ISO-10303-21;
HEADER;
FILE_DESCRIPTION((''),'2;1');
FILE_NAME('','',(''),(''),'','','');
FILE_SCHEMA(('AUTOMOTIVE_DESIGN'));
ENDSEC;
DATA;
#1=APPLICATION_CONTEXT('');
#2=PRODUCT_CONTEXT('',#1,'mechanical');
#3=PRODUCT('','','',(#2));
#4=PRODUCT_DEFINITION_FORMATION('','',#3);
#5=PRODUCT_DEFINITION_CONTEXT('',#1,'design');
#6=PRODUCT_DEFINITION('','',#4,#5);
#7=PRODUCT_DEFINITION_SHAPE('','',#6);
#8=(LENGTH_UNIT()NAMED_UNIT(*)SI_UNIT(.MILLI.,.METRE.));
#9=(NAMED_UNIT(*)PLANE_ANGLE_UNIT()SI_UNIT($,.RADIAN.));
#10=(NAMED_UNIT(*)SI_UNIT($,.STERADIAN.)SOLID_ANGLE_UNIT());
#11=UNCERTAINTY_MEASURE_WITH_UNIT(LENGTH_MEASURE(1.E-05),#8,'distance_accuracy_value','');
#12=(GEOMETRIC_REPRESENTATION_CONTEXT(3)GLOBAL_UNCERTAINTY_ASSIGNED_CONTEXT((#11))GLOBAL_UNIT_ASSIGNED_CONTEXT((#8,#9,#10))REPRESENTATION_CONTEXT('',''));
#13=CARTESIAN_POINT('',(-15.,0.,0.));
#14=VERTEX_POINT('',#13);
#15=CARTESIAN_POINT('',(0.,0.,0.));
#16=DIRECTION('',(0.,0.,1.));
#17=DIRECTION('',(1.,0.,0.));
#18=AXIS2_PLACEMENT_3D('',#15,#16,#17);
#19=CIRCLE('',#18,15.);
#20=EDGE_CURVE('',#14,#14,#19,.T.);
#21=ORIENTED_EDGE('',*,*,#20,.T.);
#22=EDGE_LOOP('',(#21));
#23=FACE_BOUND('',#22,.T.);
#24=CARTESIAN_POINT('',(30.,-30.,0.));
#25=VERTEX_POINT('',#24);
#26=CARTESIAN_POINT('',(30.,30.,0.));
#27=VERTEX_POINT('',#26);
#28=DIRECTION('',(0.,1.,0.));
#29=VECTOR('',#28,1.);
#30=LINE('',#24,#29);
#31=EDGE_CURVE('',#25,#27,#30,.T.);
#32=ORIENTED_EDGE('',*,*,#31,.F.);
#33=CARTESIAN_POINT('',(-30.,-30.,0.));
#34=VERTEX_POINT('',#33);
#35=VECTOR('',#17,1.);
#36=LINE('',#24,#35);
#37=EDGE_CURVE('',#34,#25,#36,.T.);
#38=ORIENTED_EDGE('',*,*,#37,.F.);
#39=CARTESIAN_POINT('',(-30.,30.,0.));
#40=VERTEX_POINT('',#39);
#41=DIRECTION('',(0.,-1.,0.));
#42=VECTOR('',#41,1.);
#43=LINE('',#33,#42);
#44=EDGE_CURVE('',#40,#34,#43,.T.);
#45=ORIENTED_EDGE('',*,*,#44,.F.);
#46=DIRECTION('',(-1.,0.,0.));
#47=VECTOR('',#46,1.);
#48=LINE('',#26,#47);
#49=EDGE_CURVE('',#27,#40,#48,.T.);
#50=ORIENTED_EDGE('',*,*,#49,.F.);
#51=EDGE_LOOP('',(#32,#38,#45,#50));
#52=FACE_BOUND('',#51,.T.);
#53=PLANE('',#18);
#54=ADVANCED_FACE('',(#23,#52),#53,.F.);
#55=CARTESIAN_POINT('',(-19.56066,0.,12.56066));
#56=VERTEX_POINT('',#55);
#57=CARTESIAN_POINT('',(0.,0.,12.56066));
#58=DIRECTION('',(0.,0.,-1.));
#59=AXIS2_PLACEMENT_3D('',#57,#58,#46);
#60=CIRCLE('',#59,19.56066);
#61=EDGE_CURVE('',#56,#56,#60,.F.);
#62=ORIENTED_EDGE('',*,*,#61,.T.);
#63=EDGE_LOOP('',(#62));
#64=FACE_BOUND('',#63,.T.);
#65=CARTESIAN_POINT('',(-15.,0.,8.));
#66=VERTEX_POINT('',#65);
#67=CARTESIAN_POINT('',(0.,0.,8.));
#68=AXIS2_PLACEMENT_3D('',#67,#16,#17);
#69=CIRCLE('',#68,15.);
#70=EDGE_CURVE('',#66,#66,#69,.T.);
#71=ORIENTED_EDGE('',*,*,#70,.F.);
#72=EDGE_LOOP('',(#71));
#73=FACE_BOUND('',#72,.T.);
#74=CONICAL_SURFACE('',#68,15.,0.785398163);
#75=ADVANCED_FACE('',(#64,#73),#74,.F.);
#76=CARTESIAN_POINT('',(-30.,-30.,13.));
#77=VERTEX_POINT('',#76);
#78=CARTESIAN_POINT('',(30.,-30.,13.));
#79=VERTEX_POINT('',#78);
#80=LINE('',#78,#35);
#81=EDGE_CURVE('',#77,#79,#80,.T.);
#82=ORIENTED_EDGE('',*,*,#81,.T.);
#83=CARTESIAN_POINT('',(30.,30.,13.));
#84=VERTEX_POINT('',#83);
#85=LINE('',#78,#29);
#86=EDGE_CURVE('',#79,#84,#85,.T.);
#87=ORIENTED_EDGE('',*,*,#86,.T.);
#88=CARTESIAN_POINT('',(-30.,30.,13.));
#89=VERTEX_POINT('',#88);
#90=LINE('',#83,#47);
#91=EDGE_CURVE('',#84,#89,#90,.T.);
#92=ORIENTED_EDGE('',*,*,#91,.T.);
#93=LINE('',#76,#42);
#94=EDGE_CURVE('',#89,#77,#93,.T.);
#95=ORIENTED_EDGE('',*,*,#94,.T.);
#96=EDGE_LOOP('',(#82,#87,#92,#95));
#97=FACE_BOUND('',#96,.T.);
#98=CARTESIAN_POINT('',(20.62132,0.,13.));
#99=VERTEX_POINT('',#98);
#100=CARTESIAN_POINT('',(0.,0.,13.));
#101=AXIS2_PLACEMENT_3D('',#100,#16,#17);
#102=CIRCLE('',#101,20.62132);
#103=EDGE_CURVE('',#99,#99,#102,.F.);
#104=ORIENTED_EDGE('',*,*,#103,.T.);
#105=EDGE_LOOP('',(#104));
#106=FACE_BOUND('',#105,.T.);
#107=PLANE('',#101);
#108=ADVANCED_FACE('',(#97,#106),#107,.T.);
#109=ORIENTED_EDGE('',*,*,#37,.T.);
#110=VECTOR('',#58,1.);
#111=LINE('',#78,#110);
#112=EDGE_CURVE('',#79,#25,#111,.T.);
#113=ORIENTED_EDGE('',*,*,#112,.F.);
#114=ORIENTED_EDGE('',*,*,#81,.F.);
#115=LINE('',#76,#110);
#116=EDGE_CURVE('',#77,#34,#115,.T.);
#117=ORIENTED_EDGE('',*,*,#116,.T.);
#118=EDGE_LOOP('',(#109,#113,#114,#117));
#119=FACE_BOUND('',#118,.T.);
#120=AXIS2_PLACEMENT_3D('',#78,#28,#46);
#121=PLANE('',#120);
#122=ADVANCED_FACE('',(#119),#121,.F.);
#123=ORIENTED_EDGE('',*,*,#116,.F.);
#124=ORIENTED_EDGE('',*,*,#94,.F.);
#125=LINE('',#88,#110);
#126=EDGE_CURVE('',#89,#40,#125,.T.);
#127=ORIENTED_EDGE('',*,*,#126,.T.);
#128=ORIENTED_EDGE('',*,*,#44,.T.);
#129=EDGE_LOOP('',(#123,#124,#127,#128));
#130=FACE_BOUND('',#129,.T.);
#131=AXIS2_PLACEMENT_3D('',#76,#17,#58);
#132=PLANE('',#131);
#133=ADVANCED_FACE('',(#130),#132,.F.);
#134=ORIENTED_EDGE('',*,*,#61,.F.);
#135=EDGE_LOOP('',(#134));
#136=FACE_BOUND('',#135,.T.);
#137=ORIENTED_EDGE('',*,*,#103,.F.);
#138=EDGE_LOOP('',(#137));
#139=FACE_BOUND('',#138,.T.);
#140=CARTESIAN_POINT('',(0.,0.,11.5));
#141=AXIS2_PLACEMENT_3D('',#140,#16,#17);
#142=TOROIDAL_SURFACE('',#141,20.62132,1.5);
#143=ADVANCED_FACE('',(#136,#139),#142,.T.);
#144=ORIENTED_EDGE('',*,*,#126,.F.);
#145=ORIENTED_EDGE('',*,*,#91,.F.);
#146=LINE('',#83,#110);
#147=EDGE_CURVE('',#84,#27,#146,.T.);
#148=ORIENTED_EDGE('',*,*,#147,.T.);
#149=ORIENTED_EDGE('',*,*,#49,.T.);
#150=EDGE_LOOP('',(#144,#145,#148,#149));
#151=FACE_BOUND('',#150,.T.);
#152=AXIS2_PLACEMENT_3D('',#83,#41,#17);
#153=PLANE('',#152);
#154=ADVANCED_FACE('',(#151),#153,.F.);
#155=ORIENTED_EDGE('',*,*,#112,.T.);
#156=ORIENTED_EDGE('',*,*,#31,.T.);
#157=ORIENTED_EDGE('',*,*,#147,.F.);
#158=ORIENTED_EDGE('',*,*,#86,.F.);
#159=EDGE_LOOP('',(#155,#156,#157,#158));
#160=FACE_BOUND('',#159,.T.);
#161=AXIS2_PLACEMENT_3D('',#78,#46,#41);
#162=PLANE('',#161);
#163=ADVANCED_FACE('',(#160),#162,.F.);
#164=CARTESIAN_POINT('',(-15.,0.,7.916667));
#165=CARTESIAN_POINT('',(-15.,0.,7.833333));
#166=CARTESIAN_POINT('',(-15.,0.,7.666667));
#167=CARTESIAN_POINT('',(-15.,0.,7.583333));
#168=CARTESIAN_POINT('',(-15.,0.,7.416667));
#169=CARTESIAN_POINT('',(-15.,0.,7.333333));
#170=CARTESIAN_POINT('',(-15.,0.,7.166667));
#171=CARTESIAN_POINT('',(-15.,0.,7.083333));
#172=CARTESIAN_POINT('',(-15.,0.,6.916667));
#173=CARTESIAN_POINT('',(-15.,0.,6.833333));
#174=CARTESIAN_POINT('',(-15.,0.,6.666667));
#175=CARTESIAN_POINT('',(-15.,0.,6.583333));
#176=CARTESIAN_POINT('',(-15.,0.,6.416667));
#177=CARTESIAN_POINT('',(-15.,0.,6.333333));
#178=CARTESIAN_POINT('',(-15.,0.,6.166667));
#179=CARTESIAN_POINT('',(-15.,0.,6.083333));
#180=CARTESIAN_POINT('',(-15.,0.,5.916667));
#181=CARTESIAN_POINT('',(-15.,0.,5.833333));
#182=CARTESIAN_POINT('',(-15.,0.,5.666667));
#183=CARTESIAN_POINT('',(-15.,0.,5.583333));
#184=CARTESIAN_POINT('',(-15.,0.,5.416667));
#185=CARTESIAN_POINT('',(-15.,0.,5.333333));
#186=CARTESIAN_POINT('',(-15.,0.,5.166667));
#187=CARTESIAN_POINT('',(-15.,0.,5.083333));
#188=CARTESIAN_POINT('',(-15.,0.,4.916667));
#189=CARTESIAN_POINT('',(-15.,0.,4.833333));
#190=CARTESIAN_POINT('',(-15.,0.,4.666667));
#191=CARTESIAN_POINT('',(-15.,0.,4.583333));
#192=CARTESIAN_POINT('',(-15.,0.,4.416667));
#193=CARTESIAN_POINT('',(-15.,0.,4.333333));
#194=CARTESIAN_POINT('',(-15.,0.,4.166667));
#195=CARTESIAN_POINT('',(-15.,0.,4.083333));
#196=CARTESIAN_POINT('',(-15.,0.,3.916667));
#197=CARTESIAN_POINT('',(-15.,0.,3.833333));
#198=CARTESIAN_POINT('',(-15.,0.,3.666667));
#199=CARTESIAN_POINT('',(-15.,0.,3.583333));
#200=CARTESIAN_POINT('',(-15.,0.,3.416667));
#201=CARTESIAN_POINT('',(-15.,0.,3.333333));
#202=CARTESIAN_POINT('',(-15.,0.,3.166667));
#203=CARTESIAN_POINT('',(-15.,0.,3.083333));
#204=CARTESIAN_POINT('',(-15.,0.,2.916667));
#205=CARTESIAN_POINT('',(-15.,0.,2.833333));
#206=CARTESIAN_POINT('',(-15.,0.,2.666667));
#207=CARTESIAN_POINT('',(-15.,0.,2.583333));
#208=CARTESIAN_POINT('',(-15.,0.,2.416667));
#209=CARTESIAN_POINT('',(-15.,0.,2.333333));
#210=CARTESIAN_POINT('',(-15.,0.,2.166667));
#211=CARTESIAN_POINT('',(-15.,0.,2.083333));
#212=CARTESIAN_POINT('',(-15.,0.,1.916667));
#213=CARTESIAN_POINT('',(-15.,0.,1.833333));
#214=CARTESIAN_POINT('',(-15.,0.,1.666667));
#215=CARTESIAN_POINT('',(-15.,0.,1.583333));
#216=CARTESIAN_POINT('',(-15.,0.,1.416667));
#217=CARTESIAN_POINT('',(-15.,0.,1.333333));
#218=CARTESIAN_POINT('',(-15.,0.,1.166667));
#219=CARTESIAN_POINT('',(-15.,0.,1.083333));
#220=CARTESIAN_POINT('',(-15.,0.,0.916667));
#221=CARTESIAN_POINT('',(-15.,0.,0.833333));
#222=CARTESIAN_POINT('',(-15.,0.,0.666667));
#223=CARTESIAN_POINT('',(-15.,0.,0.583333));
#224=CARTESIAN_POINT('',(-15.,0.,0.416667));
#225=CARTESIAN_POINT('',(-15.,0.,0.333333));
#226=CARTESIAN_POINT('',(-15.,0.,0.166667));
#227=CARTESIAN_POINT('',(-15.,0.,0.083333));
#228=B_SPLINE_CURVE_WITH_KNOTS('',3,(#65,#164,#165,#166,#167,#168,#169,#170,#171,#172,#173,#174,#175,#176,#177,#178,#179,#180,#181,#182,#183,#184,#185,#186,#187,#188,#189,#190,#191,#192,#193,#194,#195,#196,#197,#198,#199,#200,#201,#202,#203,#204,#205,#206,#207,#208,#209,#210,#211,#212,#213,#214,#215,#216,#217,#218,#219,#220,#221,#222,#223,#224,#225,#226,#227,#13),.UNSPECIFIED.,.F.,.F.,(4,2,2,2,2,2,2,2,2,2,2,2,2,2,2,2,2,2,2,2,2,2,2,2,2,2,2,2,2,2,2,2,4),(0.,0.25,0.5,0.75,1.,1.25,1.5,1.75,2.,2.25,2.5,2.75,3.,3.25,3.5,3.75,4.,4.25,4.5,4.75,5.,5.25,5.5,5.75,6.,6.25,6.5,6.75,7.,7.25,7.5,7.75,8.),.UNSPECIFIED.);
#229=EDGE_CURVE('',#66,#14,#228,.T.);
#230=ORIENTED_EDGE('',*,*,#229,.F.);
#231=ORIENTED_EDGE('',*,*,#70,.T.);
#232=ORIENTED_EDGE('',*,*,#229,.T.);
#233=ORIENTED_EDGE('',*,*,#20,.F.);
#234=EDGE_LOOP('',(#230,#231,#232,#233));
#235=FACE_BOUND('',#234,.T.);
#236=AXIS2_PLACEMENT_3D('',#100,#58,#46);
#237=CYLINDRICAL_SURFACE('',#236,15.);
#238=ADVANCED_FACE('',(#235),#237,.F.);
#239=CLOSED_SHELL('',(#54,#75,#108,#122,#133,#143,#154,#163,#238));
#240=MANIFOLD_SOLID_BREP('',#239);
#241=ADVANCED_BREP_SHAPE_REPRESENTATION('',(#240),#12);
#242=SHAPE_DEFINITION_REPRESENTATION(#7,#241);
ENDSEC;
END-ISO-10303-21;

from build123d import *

# Parameters (mm, degrees)
SKETCH1_W           = 60
SKETCH1_H           = 60
SKETCH1_R           = 15
BOSS_EXTRUDE1_DEPTH = 13
CHAMFER1_SIZE       = 5
FILLET1_R           = 1.5


with BuildPart() as part:
    # Sketch1 → Boss-Extrude1 (new body)
    with BuildSketch(Plane.XY):
        Rectangle(SKETCH1_W, SKETCH1_H)
        with Locations(Location((0, 0, 0), (0, 0, 180))):
            Circle(SKETCH1_R, mode=Mode.SUBTRACT)
    extrude(amount=BOSS_EXTRUDE1_DEPTH)

    # Chamfer1
    chamfer1_edges = [part.edges().sort_by_distance(p)[0] for p in [
        (15, 0, 13),
    ]]
    chamfer(chamfer1_edges, length=CHAMFER1_SIZE)

    # Fillet1
    fillet1_edges = [part.edges().sort_by_distance(p)[0] for p in [
        (20, 0, 13),
    ]]
    fillet(fillet1_edges, radius=FILLET1_R)


solid = part.part
